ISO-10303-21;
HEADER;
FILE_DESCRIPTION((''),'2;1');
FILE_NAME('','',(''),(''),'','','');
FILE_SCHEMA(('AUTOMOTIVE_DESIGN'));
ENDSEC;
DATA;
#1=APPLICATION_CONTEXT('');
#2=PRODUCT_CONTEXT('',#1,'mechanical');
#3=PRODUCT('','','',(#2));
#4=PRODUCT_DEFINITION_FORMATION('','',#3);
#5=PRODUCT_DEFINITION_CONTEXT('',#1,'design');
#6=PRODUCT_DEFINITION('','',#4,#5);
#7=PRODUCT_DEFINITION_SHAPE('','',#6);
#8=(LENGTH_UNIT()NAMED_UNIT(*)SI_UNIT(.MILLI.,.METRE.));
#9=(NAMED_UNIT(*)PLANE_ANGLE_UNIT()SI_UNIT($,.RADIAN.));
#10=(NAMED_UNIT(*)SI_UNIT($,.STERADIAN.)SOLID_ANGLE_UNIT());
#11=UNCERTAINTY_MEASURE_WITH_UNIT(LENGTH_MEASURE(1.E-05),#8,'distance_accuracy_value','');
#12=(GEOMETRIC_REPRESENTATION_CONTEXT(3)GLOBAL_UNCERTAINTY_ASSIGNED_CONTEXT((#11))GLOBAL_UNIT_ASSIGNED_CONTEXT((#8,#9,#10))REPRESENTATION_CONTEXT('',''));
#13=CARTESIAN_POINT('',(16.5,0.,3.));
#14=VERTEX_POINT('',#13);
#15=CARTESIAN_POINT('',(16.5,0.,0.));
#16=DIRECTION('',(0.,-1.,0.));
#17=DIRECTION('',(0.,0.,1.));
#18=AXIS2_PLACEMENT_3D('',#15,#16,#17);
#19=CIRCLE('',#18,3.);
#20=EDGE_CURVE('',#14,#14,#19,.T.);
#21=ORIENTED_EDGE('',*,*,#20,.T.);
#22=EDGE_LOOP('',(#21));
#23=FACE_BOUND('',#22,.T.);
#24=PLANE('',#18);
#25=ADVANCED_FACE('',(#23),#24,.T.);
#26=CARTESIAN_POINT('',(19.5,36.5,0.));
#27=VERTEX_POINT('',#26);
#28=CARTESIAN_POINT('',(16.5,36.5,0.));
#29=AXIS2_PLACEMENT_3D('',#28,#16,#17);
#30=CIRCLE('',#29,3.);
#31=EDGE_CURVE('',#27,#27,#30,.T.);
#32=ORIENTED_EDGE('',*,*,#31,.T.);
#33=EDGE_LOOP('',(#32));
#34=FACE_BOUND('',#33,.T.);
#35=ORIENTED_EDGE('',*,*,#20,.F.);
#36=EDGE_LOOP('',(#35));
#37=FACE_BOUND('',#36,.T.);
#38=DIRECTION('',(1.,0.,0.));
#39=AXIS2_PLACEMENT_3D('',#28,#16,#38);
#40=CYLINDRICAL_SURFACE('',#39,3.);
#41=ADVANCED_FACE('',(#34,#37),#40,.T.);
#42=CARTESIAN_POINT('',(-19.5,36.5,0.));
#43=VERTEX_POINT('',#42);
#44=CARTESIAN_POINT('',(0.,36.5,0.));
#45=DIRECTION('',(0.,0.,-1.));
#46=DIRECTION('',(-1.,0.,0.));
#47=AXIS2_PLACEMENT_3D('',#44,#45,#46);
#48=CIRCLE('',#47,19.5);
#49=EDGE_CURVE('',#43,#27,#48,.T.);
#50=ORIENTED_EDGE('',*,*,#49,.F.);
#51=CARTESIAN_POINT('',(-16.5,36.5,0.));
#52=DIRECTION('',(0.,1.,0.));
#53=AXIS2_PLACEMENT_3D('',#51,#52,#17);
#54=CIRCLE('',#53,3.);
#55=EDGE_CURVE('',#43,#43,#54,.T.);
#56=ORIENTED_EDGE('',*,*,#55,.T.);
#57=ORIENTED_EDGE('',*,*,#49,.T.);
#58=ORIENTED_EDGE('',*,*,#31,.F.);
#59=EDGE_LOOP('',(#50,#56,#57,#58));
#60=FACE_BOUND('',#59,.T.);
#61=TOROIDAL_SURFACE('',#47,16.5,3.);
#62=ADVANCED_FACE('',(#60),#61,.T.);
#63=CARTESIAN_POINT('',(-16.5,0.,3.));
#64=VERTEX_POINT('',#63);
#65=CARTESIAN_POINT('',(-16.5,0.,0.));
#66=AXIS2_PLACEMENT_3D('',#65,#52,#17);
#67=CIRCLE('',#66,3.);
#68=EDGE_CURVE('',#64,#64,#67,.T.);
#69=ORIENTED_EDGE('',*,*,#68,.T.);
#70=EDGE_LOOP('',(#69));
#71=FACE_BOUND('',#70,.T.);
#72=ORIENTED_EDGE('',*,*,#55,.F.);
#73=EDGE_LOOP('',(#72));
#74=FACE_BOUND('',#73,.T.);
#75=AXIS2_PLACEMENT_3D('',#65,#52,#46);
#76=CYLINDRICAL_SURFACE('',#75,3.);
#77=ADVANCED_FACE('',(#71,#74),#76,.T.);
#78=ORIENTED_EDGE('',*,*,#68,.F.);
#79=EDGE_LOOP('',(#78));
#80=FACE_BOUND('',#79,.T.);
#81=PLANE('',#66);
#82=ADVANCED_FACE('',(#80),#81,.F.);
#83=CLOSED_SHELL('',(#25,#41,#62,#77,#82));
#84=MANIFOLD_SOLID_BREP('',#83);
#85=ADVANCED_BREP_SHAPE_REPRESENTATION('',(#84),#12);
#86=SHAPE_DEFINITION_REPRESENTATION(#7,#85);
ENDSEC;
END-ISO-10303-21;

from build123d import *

# Parameters (mm, degrees)
SKETCH4_R = 3


with BuildPart() as part:
    # Sweep2: sweep along a path in Sketch5
    with BuildLine(Plane.XY) as sweep2_path:
        Line((-16.5, 0), (-16.5, 36.5))
        ThreePointArc((-16.5, 36.5), (0, 53), (16.5, 36.5))
        Line((16.5, 36.5), (16.5, 0))
    # Sketch4 → Sweep2 (sweep)
    with BuildSketch(Plane(origin=(0, 0, 0), x_dir=(1, 0, 0), z_dir=(0, 1, 0))):
        with Locations((-16.5, 0)):
            Circle(SKETCH4_R)
    sweep(path=sweep2_path.line)


solid = part.part
